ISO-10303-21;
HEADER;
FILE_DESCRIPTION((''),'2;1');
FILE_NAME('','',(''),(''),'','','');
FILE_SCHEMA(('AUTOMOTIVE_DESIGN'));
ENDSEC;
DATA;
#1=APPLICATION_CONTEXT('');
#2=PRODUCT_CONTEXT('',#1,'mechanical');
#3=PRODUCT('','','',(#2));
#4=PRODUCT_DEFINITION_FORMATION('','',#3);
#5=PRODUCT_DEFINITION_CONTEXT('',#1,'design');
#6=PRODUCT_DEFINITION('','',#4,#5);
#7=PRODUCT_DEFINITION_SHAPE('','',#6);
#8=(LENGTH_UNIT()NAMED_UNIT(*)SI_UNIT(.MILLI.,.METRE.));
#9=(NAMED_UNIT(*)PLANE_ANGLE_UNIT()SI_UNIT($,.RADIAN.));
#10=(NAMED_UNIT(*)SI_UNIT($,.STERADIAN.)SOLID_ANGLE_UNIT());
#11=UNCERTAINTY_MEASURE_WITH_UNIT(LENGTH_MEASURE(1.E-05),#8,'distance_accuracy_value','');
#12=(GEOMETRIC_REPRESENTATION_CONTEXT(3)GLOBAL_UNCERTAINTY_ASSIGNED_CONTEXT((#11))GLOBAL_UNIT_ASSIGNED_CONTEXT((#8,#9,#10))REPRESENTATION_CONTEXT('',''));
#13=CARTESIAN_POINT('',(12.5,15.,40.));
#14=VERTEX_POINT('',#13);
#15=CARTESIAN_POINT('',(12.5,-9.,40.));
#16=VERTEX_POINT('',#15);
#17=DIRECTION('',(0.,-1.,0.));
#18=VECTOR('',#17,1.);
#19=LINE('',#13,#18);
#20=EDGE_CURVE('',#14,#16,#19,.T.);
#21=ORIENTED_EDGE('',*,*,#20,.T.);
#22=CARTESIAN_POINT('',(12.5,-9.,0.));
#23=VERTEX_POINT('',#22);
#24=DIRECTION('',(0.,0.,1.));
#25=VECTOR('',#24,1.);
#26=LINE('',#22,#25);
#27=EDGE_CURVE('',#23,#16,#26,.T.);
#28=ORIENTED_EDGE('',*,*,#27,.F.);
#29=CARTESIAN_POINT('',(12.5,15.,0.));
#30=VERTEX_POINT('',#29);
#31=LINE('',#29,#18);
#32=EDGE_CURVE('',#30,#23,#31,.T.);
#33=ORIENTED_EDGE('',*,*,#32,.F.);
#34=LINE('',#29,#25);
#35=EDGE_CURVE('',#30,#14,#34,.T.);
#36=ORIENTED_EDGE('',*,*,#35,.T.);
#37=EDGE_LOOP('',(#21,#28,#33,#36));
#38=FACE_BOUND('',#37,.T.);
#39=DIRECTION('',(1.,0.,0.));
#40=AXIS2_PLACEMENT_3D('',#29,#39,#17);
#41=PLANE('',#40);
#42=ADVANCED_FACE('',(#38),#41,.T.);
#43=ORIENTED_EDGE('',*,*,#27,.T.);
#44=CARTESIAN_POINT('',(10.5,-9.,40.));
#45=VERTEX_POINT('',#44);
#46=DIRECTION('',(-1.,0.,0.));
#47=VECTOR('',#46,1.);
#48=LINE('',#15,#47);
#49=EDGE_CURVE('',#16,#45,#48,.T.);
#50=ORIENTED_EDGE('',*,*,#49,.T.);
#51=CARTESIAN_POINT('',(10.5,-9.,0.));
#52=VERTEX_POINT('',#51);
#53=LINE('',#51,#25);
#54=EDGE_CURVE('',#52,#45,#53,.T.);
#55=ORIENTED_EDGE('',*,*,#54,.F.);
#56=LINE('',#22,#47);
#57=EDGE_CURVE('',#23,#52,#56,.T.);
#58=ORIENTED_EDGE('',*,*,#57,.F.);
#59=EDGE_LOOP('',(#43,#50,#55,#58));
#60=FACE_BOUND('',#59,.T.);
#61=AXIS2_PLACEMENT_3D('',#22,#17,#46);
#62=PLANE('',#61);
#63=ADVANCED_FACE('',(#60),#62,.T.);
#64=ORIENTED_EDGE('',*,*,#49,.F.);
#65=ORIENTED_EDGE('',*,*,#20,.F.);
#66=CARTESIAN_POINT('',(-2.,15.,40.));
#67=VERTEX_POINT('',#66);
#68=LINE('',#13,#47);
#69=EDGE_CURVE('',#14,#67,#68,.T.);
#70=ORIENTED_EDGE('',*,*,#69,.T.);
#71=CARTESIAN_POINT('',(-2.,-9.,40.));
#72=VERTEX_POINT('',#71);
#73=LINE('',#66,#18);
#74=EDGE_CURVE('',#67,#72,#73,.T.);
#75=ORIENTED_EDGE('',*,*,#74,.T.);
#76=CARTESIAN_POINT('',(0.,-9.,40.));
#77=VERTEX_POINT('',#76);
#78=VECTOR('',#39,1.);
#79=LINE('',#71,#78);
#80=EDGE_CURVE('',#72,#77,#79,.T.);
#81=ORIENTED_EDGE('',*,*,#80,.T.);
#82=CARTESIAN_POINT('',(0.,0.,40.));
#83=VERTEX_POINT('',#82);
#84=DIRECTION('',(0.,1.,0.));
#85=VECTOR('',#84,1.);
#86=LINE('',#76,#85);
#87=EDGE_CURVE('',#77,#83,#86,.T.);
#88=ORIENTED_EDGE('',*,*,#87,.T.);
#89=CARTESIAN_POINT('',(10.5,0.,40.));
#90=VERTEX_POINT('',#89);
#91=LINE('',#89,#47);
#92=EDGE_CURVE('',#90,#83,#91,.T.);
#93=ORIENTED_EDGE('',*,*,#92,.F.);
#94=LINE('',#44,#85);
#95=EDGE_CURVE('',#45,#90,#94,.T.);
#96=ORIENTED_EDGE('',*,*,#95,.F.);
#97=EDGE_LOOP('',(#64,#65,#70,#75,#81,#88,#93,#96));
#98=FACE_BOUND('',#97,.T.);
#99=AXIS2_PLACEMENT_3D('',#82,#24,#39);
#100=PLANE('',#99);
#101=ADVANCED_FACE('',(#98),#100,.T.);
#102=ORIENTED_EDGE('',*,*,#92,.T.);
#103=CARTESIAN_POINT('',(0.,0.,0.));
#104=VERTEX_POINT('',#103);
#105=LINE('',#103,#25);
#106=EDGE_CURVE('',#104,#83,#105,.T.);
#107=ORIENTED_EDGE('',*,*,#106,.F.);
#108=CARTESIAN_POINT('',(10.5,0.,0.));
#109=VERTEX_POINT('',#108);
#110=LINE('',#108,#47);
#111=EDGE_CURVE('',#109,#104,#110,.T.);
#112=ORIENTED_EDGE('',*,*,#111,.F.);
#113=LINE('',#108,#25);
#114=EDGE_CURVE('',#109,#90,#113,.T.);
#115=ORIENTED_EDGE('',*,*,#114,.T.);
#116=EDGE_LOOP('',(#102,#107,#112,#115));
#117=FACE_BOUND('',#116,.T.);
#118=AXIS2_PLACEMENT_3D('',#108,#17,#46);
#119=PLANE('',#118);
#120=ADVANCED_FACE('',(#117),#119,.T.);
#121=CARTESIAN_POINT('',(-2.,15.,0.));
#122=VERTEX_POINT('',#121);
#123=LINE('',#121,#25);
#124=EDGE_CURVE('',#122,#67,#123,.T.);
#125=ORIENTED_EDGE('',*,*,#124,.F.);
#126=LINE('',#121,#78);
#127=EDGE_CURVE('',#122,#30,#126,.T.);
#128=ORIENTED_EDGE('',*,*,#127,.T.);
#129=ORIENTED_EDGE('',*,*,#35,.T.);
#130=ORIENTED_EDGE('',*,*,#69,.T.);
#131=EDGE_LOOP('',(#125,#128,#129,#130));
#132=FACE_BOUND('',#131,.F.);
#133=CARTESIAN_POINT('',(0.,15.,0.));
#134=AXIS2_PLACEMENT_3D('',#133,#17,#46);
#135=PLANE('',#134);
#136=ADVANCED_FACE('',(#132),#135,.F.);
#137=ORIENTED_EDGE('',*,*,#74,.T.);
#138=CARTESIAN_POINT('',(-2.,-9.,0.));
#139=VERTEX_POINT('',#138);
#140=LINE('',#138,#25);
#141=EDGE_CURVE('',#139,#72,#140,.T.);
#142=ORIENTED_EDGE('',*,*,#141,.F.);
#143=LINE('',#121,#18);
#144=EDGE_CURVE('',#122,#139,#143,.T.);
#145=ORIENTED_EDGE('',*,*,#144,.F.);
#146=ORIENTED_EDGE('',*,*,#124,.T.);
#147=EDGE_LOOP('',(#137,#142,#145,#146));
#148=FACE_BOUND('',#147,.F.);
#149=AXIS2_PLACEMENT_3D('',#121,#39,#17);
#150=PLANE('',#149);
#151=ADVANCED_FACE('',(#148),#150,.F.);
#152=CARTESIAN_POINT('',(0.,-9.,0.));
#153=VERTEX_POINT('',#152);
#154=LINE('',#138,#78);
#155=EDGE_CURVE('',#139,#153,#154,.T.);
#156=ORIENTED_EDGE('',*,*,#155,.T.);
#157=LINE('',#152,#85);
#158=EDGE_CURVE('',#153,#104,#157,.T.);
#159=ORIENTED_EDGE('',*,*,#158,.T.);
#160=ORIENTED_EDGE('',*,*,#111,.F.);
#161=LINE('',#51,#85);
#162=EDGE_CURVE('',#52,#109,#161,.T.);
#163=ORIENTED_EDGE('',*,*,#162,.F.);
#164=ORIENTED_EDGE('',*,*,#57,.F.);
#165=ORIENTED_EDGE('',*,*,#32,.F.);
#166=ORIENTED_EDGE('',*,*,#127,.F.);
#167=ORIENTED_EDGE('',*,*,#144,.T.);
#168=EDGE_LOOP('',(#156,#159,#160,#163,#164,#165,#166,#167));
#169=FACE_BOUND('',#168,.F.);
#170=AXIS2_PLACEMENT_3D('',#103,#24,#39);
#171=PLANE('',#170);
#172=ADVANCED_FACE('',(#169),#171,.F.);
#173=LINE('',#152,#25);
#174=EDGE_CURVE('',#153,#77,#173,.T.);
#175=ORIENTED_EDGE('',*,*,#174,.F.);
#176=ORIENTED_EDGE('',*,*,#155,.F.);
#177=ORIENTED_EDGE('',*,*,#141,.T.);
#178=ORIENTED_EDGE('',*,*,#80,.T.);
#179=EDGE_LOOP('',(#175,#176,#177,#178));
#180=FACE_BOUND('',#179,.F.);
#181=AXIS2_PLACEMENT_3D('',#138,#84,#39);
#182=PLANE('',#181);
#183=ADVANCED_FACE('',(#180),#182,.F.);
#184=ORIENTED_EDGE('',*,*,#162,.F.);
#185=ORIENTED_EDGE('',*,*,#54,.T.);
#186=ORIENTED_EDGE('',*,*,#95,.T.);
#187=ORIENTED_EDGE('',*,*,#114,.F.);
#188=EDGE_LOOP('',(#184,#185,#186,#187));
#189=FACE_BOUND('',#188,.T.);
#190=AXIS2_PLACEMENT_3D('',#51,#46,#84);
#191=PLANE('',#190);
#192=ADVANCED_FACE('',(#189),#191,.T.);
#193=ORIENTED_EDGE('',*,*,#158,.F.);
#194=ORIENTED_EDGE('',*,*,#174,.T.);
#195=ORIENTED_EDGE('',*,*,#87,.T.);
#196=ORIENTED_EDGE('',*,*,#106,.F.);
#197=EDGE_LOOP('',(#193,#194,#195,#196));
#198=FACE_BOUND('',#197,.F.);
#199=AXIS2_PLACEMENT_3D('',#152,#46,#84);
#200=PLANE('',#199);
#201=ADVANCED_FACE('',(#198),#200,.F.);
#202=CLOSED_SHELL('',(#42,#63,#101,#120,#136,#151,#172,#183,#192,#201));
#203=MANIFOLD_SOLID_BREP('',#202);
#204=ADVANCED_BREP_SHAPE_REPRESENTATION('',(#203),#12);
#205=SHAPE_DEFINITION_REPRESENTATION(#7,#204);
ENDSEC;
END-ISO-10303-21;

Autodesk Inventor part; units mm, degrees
ref_plane "YZ Plane" through (0, 0, 0) normal (1, 0, 0) x (0, 1, 0)
ref_plane "XZ Plane" through (0, 0, 0) normal (0, 1, 0) x (-1, 0, 0)
ref_plane "XY Plane" through (0, 0, 0) normal (0, 0, 1) x (1, 0, 0)
sketch "Esquisse1" plane through (0, 0, 0) normal (0, 0, 1) x (1, 0, 0)
  line L0 (0, 0) -> (0, 15)
  line L1 (0, 15) -> (10.5, 15)
  line L2 (10.5, 15) -> (10.5, 0)
  line L3 (10.5, 0) -> (0, 0)
  line L4 (10.5, 15) -> (12.5, 15)
  line L5 (0, 15) -> (-2, 15)
  line L6 (-2, 15) -> (-2, -9)
  line L7 (-2, -9) -> (0, -9)
  line L8 (0, -9) -> (0, 0)
  line L9 (12.5, 15) -> (12.5, -9)
  line L10 (12.5, -9) -> (10.5, -9)
  line L11 (10.5, -9) -> (10.5, 0)
  dimension "d0" = 15
  dimension "d1" = 10.5
  dimension "d7" = 2
  dimension "d8" = 2
  dimension "d10" = 9
extrude "Extrusion2" add sketch "Esquisse1" along normal blind 40
properties part number "bloc"
